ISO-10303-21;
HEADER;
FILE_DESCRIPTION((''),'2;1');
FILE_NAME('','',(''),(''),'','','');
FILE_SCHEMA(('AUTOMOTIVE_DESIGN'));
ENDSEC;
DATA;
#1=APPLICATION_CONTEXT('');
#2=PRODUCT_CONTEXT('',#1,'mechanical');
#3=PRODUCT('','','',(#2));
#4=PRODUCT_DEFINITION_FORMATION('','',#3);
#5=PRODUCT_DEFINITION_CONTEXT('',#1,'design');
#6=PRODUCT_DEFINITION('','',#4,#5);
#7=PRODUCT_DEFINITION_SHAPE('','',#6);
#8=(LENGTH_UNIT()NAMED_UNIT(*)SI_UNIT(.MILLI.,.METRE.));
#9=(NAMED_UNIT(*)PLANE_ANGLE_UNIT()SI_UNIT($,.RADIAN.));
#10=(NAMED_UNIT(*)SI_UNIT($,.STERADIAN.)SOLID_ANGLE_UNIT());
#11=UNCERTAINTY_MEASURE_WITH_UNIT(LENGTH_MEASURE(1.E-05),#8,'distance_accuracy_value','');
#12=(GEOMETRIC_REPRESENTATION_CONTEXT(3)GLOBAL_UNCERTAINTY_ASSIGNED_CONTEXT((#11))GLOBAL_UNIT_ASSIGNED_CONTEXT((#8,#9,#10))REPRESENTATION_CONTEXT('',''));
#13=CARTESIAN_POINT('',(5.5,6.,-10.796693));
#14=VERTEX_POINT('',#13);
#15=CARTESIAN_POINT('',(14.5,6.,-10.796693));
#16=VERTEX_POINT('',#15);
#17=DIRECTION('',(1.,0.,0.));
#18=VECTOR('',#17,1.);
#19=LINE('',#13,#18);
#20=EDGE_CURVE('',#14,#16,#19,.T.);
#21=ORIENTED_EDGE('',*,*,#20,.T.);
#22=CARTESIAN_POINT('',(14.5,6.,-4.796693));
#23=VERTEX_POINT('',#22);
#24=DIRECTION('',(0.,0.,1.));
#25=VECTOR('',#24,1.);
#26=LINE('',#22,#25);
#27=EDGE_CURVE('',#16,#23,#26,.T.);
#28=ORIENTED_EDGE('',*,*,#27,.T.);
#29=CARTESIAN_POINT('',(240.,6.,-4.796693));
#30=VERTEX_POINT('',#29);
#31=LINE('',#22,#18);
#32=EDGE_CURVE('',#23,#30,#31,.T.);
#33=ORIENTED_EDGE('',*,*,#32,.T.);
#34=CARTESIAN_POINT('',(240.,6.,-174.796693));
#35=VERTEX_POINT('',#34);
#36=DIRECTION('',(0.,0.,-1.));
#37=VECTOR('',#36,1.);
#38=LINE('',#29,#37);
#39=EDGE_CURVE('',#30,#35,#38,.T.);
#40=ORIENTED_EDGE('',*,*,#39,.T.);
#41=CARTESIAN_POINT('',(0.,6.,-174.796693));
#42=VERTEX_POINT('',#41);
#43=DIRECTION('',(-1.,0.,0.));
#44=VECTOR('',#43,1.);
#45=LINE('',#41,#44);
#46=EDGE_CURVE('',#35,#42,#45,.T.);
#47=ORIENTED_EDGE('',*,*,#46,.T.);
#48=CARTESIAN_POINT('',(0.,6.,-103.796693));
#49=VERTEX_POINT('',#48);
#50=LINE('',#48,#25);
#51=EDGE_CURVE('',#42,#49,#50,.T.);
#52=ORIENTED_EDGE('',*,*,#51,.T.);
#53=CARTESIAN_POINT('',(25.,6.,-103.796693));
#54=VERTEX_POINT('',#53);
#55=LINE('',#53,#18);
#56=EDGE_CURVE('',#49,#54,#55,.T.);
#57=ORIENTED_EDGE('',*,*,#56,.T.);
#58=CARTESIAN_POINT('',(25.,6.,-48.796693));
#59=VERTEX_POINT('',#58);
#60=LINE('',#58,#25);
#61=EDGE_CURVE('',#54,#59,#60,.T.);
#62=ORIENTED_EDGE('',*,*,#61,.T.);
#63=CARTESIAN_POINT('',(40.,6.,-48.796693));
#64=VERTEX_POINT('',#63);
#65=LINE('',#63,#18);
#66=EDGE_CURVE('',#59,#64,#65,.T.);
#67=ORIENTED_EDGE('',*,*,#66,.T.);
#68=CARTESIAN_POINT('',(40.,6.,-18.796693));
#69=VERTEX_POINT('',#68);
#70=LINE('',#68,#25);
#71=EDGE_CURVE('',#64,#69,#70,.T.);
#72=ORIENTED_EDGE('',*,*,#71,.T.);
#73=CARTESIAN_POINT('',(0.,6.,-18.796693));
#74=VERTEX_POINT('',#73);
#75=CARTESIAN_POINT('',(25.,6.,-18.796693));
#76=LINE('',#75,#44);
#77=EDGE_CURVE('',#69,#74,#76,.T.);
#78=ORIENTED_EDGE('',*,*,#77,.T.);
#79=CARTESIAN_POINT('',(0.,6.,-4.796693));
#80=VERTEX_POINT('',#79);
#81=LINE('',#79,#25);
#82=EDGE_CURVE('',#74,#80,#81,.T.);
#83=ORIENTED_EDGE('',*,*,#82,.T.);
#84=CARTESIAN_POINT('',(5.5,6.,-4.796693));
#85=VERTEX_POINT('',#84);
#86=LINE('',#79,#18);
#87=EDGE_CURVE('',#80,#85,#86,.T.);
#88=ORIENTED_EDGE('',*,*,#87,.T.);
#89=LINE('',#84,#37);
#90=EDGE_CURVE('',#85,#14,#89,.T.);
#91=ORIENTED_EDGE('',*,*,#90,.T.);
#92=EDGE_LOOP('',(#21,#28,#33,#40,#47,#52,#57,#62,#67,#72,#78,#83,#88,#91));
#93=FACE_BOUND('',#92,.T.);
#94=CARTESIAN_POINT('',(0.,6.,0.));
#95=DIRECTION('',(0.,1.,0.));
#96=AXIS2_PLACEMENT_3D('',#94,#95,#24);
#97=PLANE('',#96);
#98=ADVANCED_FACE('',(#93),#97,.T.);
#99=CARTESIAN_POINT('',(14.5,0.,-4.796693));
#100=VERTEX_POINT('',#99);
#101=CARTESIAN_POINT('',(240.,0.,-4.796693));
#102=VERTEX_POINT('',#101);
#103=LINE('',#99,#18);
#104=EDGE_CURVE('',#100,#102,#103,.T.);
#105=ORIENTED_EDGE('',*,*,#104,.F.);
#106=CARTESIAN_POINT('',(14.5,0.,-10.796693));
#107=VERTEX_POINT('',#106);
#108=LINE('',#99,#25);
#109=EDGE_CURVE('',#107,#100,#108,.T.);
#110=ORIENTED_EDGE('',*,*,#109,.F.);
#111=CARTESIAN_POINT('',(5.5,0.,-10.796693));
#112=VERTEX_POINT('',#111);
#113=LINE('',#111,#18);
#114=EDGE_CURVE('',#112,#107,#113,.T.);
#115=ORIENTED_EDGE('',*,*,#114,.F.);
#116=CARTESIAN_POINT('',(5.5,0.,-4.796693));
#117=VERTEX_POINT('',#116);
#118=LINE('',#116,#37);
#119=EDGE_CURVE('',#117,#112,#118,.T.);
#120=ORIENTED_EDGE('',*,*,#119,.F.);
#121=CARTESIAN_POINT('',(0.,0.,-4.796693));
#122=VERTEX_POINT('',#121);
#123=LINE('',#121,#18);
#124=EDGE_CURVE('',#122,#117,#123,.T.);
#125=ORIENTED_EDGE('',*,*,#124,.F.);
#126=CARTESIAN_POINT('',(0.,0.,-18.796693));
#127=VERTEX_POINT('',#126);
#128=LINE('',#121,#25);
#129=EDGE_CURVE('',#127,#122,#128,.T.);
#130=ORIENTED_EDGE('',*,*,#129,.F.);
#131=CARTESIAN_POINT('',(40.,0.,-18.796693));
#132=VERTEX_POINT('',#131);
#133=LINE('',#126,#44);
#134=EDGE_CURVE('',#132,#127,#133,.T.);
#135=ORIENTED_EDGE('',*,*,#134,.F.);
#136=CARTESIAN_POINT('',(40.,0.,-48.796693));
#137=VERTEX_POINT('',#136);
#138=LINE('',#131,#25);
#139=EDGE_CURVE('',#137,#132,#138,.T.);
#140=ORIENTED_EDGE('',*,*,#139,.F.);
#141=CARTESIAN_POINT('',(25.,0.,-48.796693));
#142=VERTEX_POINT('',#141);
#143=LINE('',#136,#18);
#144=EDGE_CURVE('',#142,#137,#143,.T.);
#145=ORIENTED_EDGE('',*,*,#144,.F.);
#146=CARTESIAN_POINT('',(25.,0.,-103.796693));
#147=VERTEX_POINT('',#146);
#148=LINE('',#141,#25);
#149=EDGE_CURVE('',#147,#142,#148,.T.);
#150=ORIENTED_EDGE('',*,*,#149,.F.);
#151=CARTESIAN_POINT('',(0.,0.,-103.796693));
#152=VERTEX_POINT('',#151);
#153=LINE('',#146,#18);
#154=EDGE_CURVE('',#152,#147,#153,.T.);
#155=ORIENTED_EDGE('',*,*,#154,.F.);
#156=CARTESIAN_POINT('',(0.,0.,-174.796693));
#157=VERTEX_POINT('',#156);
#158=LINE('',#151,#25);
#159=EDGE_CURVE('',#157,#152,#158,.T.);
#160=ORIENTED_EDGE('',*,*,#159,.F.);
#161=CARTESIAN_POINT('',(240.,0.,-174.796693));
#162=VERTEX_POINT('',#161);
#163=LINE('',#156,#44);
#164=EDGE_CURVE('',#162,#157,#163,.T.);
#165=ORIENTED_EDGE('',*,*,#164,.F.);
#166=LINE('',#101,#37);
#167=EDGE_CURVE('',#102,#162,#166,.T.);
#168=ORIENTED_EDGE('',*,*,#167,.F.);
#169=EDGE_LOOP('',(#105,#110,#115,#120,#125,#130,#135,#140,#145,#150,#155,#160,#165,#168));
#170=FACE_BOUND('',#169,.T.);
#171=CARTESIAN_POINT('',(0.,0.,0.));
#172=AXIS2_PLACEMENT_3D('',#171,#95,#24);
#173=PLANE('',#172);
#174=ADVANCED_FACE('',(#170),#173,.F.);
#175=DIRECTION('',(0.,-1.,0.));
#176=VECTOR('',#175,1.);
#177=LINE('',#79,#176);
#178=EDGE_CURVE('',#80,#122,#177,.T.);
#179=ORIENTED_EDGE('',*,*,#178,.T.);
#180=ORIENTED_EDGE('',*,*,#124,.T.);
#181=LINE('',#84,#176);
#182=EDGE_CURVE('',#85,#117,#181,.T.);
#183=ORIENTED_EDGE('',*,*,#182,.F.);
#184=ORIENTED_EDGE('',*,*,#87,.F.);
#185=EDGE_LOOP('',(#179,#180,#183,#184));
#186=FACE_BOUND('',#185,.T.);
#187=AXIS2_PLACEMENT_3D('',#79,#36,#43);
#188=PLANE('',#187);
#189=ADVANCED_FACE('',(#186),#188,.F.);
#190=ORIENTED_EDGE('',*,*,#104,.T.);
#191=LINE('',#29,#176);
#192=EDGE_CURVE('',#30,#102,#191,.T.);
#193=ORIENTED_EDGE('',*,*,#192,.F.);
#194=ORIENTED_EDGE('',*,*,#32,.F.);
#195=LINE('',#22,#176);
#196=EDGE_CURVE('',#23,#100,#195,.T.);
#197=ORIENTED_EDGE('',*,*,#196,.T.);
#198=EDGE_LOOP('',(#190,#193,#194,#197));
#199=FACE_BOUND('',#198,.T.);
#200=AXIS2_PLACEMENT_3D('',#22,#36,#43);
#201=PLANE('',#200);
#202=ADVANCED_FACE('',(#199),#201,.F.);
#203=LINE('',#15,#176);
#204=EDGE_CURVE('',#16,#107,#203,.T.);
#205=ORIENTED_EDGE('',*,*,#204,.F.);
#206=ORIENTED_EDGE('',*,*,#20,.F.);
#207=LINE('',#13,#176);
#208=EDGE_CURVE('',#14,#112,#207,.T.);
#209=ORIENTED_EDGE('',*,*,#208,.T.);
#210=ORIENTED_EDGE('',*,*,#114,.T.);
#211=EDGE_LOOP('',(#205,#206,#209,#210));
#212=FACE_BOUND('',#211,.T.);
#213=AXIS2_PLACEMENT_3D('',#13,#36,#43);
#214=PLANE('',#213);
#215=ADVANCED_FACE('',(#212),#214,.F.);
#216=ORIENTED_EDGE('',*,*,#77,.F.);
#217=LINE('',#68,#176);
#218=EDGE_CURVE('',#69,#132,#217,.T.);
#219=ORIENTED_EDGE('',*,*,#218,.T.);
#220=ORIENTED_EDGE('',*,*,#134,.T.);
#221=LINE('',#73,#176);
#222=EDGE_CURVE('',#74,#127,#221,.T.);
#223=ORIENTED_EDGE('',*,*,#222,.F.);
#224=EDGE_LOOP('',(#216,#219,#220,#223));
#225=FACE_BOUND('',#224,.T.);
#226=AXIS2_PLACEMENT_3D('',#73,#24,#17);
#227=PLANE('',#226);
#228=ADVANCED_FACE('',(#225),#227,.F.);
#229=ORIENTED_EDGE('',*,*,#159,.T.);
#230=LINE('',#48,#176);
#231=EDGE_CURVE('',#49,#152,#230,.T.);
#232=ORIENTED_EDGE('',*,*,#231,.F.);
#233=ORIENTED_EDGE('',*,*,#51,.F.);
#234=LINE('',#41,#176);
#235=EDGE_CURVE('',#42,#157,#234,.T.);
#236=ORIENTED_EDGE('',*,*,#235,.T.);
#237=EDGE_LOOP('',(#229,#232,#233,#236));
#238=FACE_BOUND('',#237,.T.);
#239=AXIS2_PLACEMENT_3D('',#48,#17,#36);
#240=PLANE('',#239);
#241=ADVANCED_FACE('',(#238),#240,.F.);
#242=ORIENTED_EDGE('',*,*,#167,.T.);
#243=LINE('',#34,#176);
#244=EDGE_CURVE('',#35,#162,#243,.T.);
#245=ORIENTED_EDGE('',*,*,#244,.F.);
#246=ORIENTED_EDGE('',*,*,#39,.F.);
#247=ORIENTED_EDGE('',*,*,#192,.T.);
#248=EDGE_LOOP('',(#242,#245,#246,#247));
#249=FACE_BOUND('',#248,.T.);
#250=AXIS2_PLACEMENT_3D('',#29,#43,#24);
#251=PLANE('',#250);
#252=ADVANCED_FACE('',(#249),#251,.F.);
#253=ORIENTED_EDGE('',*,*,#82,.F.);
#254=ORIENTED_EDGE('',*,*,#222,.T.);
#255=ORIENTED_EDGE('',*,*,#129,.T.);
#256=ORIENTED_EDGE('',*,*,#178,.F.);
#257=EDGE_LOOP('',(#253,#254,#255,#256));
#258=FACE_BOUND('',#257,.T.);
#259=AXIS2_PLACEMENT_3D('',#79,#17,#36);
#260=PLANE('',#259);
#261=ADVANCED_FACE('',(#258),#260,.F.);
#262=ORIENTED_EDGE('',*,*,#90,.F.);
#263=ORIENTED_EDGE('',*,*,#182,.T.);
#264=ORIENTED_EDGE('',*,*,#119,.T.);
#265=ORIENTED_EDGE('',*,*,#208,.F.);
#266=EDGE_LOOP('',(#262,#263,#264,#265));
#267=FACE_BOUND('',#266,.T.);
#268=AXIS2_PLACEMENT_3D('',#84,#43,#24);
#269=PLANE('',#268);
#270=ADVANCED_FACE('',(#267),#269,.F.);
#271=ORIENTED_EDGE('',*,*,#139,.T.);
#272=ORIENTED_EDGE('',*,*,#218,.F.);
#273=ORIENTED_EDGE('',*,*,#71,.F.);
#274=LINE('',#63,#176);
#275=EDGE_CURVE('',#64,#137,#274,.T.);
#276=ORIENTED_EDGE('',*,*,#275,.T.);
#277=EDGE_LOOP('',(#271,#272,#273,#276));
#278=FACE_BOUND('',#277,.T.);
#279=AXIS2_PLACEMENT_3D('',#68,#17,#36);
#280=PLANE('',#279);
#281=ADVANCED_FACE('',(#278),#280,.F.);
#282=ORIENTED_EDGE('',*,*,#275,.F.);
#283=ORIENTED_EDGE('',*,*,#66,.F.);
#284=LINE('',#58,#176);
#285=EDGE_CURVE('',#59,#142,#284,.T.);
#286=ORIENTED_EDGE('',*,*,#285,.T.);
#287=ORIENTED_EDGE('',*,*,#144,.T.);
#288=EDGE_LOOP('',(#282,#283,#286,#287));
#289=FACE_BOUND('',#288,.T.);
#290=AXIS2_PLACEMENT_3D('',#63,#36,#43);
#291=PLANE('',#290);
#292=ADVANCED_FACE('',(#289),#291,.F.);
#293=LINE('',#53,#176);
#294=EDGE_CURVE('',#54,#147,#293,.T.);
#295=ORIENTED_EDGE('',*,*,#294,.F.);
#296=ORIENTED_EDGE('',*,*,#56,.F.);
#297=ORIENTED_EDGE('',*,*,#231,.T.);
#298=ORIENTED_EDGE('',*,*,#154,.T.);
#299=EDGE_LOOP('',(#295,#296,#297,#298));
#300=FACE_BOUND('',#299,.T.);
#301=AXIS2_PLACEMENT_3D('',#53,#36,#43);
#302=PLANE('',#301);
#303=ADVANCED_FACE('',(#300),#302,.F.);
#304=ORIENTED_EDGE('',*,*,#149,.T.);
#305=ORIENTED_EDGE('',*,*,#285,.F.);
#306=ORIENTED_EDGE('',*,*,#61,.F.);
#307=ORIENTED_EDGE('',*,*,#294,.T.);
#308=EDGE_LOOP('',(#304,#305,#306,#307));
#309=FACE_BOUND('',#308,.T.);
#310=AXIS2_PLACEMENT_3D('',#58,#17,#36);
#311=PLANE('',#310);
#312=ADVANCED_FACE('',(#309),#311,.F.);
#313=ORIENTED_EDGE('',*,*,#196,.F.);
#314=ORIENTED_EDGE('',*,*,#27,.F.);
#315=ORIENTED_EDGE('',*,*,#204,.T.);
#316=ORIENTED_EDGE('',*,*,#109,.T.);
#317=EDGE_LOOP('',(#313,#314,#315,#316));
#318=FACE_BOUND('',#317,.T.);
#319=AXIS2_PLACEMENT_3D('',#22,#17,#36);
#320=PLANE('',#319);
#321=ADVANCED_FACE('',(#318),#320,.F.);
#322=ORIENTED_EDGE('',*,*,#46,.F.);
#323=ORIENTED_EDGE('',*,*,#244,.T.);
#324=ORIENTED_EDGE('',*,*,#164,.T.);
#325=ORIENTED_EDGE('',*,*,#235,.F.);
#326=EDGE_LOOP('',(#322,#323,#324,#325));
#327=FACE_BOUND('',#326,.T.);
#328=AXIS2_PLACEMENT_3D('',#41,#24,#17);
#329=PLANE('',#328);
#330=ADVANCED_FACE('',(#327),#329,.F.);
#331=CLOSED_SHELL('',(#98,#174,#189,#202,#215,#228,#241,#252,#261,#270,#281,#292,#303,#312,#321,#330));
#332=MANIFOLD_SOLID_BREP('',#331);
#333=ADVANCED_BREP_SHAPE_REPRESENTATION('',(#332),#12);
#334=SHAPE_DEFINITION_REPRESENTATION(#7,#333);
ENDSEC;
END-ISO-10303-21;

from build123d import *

# Parameters (mm, degrees)
BOSS_EXTRUDE1_DEPTH = 6


with BuildPart() as part:
    # Sketch1 → Boss-Extrude1 (new body)
    with BuildSketch(Plane(origin=(0, 0, 0), x_dir=(1, 0, 0), z_dir=(0, 1, 0))):
        Polygon((14.5, 4.796692747), (240, 4.796692747), (240, 174.796692747), (0, 174.796692747), (0, 103.796692747), (25, 103.796692747), (25, 48.796692747), (40, 48.796692747), (40, 18.796692747), (25, 18.796692747), (18.804365786, 18.796692747), (0, 18.796692747), (0, 4.796692747), (5.5, 4.796692747), (5.5, 10.796692747), (14.5, 10.796692747), align=None)
    extrude(amount=BOSS_EXTRUDE1_DEPTH)


solid = part.part
